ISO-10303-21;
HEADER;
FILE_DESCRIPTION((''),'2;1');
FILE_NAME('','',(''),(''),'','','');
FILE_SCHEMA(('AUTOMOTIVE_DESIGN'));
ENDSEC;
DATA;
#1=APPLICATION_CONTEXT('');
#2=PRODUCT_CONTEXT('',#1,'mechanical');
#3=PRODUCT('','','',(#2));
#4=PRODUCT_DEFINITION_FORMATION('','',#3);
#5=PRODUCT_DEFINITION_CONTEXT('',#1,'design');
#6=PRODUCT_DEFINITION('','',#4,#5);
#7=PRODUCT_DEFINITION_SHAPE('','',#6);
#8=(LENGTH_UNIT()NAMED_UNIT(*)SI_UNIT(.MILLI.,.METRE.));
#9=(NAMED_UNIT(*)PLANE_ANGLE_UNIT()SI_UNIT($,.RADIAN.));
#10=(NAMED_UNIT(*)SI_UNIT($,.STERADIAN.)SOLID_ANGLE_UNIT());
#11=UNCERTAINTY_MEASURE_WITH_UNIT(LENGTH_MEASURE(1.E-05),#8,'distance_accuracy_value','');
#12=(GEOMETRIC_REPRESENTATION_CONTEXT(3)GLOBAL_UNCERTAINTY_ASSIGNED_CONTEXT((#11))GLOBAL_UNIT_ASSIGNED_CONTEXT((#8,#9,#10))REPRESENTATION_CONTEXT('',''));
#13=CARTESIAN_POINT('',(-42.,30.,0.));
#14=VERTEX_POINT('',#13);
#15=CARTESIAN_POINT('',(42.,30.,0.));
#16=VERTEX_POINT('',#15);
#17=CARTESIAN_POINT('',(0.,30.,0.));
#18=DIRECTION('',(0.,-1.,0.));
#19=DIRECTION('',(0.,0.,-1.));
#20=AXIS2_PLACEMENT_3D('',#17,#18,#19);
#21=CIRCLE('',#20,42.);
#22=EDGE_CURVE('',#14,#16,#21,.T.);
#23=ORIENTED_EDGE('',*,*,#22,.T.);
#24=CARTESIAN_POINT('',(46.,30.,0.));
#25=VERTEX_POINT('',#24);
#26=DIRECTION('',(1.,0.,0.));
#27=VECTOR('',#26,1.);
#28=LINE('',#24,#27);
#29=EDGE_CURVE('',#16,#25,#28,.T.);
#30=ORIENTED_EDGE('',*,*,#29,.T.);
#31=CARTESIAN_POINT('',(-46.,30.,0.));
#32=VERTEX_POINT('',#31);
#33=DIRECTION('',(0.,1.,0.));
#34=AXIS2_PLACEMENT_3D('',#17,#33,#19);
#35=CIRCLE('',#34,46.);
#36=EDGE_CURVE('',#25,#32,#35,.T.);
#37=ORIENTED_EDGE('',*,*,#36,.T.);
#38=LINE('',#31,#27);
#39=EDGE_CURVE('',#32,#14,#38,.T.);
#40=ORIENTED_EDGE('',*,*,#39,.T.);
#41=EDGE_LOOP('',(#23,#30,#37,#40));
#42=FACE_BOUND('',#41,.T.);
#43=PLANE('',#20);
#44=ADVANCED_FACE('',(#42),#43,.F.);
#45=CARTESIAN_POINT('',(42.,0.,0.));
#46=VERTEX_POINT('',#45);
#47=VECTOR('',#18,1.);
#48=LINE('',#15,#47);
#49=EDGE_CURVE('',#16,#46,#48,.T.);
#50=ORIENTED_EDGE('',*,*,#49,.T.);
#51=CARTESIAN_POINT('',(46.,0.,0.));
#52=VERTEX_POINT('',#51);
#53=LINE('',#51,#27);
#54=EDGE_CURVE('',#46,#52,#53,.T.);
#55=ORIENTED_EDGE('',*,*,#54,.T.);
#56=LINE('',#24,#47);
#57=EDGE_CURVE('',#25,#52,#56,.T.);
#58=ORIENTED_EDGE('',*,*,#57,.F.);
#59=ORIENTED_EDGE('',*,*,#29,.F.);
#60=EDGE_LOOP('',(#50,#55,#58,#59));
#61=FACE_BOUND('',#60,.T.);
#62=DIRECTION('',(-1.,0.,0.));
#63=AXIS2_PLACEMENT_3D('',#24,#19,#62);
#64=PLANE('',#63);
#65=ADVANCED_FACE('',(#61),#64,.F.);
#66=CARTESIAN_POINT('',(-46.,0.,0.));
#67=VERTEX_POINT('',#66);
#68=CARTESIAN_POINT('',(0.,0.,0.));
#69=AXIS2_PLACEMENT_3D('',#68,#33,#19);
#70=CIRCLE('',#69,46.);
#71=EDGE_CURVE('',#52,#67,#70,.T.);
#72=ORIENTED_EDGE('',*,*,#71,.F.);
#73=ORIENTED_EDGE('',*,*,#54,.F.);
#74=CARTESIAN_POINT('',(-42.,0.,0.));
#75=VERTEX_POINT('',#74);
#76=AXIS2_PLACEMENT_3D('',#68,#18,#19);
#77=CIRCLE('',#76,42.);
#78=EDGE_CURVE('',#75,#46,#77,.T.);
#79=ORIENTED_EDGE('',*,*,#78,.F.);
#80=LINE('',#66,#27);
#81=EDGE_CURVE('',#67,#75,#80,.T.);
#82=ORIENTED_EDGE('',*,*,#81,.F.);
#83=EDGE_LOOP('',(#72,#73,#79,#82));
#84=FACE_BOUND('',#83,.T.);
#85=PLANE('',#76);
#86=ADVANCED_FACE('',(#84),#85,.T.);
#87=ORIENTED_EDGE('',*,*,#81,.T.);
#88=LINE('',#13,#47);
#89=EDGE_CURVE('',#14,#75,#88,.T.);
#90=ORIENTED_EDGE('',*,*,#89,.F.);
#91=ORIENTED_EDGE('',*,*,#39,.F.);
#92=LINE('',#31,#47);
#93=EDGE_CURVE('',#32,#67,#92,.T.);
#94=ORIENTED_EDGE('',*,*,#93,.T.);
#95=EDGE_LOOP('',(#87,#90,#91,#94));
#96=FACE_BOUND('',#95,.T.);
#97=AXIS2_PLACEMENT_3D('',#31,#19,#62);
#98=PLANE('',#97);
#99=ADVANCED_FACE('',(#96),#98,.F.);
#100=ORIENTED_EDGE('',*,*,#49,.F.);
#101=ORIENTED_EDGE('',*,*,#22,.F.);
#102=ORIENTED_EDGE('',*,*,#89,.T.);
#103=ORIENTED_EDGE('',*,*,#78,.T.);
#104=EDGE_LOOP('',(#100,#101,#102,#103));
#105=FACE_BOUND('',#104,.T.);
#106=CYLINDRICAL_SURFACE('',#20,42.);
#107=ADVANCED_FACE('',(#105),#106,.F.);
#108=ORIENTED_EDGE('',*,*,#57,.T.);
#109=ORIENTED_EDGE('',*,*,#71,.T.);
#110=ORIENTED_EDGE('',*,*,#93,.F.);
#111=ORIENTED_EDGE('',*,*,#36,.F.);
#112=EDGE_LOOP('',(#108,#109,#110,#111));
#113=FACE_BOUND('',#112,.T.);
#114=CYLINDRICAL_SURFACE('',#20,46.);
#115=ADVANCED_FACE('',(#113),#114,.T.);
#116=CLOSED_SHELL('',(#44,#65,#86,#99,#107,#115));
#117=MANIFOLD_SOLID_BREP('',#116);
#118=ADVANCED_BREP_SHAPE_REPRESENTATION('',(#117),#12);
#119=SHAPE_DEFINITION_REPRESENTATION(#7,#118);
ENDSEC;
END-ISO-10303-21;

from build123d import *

# Parameters (mm, degrees)
EXTRUDE_1_DEPTH = 30


with BuildPart() as part:
    # 草图1 → 凸台-拉伸1 (new body)
    with BuildSketch(Plane(origin=(0, 0, 0), x_dir=(1, 0, 0), z_dir=(0, 1, 0))):
        with BuildLine():
            Line((-46, 0), (-42, 0))
            ThreePointArc((-42, 0), (0, 42), (42, 0))
            Line((42, 0), (46, 0))
            ThreePointArc((46, 0), (0, 46), (-46, 0))
        make_face()
    extrude(amount=EXTRUDE_1_DEPTH)


solid = part.part
